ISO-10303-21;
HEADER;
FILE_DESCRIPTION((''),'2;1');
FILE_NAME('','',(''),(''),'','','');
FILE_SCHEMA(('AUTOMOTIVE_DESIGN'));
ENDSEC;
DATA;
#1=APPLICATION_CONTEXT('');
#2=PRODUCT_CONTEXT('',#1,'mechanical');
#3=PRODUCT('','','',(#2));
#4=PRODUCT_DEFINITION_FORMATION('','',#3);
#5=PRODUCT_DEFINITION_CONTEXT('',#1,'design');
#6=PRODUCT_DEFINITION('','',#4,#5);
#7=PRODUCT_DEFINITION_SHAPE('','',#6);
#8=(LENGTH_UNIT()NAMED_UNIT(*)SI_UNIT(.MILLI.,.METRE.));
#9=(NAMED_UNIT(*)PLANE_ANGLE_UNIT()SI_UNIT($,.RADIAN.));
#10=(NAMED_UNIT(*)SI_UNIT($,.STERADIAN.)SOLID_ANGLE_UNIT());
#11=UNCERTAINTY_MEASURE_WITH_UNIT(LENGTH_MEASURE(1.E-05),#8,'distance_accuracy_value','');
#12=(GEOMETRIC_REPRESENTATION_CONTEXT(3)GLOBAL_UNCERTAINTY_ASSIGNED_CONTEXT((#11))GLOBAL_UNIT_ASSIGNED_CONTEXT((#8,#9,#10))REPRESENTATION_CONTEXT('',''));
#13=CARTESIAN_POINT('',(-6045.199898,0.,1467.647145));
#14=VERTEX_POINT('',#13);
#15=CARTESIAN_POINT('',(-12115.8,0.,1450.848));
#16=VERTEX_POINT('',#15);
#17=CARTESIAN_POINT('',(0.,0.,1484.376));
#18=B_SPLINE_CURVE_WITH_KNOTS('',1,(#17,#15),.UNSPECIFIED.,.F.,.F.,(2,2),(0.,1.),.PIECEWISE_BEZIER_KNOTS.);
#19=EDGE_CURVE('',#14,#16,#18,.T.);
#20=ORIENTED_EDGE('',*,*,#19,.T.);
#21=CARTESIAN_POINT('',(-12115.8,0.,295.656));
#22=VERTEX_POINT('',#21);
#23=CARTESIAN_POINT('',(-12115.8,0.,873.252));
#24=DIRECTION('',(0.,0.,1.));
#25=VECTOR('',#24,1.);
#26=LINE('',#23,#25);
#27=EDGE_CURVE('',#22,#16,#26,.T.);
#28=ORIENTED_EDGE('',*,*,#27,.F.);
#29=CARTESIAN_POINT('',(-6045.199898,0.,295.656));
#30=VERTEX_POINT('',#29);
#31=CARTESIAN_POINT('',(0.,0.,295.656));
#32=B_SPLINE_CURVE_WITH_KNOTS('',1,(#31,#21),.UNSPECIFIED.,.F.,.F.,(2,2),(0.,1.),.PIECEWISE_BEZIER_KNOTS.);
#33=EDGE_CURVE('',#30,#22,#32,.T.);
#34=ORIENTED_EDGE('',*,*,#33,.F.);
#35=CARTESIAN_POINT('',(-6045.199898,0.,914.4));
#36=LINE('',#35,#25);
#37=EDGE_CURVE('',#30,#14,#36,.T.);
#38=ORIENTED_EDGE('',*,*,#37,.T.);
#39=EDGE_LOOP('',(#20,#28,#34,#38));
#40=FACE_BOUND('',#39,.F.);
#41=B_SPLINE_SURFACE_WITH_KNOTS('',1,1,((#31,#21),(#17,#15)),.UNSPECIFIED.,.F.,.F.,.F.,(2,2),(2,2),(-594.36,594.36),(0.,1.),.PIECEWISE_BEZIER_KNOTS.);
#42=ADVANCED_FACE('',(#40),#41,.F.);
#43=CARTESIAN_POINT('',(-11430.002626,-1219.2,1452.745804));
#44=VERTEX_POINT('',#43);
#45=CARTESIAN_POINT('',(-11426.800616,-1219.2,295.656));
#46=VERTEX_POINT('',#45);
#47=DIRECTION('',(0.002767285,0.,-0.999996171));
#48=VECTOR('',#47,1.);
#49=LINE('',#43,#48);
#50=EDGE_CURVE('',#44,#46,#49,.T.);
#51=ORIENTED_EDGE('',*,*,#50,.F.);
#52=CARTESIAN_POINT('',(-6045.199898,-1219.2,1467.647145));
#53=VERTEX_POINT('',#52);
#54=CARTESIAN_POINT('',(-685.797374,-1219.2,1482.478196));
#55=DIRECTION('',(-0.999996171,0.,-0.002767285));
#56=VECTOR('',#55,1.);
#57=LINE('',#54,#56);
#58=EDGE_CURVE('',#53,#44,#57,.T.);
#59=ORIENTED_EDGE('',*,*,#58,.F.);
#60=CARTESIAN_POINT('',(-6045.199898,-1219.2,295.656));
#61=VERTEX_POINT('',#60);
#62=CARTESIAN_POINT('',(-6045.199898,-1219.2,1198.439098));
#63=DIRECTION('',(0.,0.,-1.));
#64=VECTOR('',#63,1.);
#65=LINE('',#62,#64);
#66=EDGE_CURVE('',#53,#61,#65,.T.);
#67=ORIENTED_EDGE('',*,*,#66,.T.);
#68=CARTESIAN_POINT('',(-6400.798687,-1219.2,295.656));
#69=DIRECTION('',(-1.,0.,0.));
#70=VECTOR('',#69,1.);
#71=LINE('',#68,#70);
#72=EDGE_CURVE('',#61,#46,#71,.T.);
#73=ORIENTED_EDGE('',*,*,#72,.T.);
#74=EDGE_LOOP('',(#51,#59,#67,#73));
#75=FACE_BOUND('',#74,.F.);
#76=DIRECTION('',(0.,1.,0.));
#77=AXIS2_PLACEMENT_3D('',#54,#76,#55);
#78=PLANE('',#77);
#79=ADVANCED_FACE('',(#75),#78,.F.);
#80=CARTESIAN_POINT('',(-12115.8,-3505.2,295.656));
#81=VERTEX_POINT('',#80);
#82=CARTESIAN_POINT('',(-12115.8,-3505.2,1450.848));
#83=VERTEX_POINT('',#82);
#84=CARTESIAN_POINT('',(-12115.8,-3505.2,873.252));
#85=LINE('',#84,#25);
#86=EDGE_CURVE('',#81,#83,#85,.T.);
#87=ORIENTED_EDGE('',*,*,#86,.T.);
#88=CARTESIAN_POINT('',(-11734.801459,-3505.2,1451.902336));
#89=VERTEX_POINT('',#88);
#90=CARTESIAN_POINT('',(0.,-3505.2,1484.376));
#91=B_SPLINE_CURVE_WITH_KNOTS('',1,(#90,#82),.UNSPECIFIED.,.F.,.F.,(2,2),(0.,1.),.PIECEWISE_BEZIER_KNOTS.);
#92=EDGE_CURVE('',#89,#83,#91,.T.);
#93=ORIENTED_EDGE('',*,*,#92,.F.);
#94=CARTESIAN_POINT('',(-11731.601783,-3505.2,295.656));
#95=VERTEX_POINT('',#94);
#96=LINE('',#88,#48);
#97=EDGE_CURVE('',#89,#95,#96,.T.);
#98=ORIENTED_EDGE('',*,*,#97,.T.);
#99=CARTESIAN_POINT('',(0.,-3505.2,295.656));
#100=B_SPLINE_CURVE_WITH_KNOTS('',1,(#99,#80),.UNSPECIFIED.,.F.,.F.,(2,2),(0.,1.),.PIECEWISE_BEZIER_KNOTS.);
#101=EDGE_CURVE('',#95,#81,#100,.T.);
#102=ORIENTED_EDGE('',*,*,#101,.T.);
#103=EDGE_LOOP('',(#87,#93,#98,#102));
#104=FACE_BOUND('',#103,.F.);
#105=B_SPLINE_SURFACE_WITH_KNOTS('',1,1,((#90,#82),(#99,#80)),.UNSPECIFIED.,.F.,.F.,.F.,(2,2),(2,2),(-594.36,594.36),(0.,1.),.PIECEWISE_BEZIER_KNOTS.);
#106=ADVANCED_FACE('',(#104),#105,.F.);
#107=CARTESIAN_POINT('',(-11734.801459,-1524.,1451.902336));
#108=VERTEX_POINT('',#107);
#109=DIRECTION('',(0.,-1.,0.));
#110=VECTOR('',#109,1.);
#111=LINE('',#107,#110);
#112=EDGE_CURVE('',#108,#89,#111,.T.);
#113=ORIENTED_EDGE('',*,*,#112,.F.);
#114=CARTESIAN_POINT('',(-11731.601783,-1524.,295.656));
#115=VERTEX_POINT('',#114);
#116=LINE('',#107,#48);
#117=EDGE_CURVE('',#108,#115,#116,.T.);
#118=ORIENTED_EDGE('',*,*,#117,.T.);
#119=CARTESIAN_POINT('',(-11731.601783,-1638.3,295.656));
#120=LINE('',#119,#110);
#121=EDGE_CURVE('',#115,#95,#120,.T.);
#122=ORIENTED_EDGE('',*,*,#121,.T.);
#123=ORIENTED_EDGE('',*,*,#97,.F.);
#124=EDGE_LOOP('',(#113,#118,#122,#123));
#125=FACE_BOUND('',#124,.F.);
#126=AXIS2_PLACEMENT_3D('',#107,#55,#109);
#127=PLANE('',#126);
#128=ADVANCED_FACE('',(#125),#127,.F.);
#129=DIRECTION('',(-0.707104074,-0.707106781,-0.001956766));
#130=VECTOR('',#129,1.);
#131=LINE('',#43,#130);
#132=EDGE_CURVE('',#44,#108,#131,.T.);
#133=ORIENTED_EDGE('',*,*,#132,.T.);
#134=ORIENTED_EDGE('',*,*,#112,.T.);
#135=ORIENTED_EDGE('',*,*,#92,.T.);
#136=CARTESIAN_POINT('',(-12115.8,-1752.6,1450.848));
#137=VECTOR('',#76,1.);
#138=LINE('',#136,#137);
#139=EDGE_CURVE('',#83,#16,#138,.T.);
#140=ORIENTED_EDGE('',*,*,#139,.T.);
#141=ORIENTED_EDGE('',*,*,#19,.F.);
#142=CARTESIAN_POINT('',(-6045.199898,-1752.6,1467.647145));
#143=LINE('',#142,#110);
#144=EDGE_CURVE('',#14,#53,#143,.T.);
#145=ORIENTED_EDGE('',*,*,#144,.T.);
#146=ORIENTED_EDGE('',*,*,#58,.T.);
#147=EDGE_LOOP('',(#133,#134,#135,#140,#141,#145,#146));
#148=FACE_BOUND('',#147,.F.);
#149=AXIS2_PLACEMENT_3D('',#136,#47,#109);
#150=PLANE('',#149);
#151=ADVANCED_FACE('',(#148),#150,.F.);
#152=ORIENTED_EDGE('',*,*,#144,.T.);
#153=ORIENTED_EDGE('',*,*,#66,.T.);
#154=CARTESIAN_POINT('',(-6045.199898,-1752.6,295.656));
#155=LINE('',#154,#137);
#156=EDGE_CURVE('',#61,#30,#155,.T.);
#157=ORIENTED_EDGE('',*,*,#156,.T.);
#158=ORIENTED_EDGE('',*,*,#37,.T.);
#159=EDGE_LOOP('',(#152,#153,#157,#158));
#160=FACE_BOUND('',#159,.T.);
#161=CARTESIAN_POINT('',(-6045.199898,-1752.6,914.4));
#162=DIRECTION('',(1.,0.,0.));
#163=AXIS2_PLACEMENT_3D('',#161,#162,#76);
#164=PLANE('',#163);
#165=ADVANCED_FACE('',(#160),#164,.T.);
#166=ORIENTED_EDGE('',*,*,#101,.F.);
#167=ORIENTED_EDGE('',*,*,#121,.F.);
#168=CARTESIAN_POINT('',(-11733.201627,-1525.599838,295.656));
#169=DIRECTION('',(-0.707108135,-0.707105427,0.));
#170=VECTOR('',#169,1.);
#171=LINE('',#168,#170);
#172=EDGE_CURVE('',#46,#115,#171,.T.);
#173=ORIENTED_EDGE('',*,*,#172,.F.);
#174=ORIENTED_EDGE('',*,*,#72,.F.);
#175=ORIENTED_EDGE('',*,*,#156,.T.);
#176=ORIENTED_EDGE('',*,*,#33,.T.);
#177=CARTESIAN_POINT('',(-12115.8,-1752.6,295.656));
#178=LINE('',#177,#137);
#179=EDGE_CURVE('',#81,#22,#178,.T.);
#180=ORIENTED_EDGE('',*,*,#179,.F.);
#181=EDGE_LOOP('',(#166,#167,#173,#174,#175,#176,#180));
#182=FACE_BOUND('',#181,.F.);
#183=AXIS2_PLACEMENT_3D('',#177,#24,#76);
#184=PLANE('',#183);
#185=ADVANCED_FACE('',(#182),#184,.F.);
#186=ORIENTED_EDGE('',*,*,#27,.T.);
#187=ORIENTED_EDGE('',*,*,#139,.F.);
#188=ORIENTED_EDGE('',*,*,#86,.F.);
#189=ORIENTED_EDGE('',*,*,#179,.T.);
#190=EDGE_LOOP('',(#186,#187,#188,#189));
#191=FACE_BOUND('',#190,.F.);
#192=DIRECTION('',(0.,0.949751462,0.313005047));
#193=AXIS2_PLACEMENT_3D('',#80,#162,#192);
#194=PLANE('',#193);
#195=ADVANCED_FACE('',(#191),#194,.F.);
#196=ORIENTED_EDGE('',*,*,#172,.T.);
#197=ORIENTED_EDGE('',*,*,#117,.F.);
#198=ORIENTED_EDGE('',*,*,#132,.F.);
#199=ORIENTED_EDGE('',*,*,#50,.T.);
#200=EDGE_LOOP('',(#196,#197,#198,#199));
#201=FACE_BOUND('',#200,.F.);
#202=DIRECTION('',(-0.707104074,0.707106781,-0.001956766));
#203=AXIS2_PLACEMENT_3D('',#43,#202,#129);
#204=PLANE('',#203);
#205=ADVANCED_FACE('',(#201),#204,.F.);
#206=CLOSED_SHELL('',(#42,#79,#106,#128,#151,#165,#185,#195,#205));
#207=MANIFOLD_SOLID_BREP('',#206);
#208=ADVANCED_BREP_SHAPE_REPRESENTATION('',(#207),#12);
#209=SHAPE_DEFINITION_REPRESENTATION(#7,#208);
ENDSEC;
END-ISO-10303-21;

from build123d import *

# Parameters (mm, degrees)
F0_W     = 3505.2
F0_H     = 1188.72
F2_W     = 3505.2
F2_H     = 1155.192
F5_DEPTH = 1187.6712120329
F7_W     = 3505.2
F7_H     = 1828.8
F8_DEPTH = 6045.2008985


with BuildPart() as f3:
    # F0 (on Right) → F3 section 0
    with BuildSketch(Plane.YZ):
        with Locations((-1752.6, 890.016)):
            Rectangle(F0_W, F0_H)
    # F2 (on offset) → F3 section 1
    with BuildSketch(Plane.YZ.offset(-12115.8)):
        with Locations((-1752.6, 873.252)):
            Rectangle(F2_W, F2_H)
    loft()

    # F4 (on face) → F5 (cut, through all)
    with BuildSketch(Plane(origin=(-4.1076757135, 0, 1484.3646328471), x_dir=(0.9999961711, 0, 0.002767285), z_dir=(-0.002767285, 0, 0.9999961711))):
        Polygon((-11730.7386994129, -1524), (-11730.7386994129, -3505.2), (-376.8923085584, -3505.2), (-376.8923085584, -1524), (-681.6923085584, -1219.2), (-11425.9386994129, -1219.2), align=None)
    extrude(amount=-F5_DEPTH, mode=Mode.SUBTRACT)

    # F7 (on offset) → F8 (cut, through all)
    with BuildSketch(Plane.YZ.offset(-6045.1998984)):
        with Locations((-1752.6, 914.4)):
            Rectangle(F7_W, F7_H)
    extrude(amount=F8_DEPTH, mode=Mode.SUBTRACT)


solid = f3.part
